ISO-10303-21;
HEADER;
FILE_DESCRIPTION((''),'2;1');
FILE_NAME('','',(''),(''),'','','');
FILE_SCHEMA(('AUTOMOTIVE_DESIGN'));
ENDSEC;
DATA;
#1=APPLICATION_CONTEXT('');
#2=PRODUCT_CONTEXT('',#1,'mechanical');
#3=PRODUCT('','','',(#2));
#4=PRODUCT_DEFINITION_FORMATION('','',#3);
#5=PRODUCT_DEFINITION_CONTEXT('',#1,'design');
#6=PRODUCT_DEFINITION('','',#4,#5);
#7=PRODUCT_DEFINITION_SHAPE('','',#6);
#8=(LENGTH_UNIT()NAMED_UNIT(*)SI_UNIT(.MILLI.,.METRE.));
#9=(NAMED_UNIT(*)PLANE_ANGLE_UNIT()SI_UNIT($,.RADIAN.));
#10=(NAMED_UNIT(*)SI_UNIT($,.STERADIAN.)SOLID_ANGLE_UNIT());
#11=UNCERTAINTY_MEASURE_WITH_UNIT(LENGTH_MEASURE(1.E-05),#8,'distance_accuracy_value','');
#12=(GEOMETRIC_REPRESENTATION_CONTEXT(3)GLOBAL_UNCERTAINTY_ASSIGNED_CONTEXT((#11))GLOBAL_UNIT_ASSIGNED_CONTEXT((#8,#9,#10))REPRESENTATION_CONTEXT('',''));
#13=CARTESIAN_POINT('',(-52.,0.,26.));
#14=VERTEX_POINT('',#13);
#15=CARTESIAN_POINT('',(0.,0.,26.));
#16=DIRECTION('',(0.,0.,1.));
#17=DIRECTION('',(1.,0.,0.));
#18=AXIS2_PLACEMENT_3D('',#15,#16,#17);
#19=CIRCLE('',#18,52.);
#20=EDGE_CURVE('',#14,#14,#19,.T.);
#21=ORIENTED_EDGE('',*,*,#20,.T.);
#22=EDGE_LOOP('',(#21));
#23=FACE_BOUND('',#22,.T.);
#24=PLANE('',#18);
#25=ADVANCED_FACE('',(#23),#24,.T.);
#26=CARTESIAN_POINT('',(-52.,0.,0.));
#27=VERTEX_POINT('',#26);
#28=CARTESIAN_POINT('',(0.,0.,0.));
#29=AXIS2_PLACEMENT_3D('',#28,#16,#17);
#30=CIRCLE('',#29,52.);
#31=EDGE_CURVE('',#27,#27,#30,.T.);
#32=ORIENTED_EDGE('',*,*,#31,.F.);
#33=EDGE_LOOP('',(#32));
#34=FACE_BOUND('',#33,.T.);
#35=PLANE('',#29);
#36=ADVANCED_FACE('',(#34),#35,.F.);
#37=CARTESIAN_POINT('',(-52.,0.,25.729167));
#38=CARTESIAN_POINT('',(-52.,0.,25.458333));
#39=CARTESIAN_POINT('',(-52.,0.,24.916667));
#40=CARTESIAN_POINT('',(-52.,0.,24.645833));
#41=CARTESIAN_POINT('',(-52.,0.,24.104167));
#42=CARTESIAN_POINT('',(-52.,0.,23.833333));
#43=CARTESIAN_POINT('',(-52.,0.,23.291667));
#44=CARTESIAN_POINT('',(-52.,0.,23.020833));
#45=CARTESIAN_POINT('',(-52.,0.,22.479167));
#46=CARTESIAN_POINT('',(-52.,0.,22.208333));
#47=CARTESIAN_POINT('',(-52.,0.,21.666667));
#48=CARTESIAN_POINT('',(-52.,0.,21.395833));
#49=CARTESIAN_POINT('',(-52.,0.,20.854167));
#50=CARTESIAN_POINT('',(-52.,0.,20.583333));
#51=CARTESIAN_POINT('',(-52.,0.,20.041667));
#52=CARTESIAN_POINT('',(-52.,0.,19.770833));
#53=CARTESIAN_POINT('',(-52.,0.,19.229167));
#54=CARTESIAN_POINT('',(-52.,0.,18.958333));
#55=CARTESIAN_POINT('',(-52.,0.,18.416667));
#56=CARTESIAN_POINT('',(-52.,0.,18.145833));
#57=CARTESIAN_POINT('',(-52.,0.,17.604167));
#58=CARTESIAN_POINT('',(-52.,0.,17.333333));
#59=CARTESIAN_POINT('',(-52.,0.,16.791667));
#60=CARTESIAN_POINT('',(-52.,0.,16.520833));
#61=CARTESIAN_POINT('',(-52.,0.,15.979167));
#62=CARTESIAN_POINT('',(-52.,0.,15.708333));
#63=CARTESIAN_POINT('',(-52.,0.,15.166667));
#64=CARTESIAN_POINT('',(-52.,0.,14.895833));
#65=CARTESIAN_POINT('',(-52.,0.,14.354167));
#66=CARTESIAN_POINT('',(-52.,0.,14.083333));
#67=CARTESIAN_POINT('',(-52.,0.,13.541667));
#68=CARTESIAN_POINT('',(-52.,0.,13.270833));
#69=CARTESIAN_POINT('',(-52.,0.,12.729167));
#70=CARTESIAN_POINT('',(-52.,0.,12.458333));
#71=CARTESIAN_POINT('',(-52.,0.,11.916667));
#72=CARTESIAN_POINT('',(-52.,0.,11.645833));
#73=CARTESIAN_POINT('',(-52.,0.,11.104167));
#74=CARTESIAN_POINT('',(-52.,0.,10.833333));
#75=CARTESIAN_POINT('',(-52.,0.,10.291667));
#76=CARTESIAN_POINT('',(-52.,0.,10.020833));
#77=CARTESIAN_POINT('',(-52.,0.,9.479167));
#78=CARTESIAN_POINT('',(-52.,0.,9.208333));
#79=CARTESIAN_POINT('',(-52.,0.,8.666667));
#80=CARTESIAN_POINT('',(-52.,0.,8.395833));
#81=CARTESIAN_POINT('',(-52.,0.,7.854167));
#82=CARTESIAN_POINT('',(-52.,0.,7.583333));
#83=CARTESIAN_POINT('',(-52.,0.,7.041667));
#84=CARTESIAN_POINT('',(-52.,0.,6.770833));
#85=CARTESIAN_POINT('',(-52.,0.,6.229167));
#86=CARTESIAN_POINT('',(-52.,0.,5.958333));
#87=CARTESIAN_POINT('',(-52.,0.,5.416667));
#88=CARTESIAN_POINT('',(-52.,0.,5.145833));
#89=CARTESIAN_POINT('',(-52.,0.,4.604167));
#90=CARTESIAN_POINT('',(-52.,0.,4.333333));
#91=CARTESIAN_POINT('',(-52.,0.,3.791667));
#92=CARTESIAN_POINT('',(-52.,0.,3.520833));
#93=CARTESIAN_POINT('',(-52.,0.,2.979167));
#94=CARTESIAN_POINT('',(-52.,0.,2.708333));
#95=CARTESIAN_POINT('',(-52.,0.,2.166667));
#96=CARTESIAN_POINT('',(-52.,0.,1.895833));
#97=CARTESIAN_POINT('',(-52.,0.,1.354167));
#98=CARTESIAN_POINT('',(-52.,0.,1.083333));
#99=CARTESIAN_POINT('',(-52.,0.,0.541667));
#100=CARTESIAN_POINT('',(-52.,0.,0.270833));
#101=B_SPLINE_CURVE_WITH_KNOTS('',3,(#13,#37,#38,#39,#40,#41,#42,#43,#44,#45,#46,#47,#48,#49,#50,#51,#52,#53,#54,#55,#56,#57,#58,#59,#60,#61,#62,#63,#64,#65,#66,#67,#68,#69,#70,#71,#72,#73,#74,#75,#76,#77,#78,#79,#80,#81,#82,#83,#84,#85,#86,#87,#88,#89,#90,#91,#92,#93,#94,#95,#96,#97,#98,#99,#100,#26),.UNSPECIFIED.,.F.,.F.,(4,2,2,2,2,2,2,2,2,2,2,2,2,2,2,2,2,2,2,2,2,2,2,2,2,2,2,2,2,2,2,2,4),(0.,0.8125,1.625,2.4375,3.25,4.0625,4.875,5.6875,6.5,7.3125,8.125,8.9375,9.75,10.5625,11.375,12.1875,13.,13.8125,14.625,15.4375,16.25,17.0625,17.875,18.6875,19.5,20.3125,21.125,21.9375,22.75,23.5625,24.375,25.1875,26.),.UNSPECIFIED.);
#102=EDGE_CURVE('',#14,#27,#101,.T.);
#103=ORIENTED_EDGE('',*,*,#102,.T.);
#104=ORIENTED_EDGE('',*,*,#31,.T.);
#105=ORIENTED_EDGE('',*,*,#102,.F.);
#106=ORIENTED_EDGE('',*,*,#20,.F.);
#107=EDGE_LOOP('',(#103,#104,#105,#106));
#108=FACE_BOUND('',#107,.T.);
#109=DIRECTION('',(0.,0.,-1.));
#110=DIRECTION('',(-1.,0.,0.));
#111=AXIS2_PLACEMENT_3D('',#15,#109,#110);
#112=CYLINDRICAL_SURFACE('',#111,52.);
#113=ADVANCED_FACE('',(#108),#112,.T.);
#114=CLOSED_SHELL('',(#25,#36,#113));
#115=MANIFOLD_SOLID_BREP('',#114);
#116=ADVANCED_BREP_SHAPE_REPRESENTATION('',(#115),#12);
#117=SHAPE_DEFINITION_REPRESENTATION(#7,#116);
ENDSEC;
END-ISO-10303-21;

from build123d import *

# Parameters (mm, degrees)
SKETCH_1_R      = 52
EXTRUDE_1_DEPTH = 26


with BuildPart() as part:
    # 草图1 → 凸台-拉伸1 (new body)
    with BuildSketch(Plane.XY):
        with Locations(Location((0, 0, 0), (0, 0, 180))):
            Circle(SKETCH_1_R)
    extrude(amount=EXTRUDE_1_DEPTH)


solid = part.part
